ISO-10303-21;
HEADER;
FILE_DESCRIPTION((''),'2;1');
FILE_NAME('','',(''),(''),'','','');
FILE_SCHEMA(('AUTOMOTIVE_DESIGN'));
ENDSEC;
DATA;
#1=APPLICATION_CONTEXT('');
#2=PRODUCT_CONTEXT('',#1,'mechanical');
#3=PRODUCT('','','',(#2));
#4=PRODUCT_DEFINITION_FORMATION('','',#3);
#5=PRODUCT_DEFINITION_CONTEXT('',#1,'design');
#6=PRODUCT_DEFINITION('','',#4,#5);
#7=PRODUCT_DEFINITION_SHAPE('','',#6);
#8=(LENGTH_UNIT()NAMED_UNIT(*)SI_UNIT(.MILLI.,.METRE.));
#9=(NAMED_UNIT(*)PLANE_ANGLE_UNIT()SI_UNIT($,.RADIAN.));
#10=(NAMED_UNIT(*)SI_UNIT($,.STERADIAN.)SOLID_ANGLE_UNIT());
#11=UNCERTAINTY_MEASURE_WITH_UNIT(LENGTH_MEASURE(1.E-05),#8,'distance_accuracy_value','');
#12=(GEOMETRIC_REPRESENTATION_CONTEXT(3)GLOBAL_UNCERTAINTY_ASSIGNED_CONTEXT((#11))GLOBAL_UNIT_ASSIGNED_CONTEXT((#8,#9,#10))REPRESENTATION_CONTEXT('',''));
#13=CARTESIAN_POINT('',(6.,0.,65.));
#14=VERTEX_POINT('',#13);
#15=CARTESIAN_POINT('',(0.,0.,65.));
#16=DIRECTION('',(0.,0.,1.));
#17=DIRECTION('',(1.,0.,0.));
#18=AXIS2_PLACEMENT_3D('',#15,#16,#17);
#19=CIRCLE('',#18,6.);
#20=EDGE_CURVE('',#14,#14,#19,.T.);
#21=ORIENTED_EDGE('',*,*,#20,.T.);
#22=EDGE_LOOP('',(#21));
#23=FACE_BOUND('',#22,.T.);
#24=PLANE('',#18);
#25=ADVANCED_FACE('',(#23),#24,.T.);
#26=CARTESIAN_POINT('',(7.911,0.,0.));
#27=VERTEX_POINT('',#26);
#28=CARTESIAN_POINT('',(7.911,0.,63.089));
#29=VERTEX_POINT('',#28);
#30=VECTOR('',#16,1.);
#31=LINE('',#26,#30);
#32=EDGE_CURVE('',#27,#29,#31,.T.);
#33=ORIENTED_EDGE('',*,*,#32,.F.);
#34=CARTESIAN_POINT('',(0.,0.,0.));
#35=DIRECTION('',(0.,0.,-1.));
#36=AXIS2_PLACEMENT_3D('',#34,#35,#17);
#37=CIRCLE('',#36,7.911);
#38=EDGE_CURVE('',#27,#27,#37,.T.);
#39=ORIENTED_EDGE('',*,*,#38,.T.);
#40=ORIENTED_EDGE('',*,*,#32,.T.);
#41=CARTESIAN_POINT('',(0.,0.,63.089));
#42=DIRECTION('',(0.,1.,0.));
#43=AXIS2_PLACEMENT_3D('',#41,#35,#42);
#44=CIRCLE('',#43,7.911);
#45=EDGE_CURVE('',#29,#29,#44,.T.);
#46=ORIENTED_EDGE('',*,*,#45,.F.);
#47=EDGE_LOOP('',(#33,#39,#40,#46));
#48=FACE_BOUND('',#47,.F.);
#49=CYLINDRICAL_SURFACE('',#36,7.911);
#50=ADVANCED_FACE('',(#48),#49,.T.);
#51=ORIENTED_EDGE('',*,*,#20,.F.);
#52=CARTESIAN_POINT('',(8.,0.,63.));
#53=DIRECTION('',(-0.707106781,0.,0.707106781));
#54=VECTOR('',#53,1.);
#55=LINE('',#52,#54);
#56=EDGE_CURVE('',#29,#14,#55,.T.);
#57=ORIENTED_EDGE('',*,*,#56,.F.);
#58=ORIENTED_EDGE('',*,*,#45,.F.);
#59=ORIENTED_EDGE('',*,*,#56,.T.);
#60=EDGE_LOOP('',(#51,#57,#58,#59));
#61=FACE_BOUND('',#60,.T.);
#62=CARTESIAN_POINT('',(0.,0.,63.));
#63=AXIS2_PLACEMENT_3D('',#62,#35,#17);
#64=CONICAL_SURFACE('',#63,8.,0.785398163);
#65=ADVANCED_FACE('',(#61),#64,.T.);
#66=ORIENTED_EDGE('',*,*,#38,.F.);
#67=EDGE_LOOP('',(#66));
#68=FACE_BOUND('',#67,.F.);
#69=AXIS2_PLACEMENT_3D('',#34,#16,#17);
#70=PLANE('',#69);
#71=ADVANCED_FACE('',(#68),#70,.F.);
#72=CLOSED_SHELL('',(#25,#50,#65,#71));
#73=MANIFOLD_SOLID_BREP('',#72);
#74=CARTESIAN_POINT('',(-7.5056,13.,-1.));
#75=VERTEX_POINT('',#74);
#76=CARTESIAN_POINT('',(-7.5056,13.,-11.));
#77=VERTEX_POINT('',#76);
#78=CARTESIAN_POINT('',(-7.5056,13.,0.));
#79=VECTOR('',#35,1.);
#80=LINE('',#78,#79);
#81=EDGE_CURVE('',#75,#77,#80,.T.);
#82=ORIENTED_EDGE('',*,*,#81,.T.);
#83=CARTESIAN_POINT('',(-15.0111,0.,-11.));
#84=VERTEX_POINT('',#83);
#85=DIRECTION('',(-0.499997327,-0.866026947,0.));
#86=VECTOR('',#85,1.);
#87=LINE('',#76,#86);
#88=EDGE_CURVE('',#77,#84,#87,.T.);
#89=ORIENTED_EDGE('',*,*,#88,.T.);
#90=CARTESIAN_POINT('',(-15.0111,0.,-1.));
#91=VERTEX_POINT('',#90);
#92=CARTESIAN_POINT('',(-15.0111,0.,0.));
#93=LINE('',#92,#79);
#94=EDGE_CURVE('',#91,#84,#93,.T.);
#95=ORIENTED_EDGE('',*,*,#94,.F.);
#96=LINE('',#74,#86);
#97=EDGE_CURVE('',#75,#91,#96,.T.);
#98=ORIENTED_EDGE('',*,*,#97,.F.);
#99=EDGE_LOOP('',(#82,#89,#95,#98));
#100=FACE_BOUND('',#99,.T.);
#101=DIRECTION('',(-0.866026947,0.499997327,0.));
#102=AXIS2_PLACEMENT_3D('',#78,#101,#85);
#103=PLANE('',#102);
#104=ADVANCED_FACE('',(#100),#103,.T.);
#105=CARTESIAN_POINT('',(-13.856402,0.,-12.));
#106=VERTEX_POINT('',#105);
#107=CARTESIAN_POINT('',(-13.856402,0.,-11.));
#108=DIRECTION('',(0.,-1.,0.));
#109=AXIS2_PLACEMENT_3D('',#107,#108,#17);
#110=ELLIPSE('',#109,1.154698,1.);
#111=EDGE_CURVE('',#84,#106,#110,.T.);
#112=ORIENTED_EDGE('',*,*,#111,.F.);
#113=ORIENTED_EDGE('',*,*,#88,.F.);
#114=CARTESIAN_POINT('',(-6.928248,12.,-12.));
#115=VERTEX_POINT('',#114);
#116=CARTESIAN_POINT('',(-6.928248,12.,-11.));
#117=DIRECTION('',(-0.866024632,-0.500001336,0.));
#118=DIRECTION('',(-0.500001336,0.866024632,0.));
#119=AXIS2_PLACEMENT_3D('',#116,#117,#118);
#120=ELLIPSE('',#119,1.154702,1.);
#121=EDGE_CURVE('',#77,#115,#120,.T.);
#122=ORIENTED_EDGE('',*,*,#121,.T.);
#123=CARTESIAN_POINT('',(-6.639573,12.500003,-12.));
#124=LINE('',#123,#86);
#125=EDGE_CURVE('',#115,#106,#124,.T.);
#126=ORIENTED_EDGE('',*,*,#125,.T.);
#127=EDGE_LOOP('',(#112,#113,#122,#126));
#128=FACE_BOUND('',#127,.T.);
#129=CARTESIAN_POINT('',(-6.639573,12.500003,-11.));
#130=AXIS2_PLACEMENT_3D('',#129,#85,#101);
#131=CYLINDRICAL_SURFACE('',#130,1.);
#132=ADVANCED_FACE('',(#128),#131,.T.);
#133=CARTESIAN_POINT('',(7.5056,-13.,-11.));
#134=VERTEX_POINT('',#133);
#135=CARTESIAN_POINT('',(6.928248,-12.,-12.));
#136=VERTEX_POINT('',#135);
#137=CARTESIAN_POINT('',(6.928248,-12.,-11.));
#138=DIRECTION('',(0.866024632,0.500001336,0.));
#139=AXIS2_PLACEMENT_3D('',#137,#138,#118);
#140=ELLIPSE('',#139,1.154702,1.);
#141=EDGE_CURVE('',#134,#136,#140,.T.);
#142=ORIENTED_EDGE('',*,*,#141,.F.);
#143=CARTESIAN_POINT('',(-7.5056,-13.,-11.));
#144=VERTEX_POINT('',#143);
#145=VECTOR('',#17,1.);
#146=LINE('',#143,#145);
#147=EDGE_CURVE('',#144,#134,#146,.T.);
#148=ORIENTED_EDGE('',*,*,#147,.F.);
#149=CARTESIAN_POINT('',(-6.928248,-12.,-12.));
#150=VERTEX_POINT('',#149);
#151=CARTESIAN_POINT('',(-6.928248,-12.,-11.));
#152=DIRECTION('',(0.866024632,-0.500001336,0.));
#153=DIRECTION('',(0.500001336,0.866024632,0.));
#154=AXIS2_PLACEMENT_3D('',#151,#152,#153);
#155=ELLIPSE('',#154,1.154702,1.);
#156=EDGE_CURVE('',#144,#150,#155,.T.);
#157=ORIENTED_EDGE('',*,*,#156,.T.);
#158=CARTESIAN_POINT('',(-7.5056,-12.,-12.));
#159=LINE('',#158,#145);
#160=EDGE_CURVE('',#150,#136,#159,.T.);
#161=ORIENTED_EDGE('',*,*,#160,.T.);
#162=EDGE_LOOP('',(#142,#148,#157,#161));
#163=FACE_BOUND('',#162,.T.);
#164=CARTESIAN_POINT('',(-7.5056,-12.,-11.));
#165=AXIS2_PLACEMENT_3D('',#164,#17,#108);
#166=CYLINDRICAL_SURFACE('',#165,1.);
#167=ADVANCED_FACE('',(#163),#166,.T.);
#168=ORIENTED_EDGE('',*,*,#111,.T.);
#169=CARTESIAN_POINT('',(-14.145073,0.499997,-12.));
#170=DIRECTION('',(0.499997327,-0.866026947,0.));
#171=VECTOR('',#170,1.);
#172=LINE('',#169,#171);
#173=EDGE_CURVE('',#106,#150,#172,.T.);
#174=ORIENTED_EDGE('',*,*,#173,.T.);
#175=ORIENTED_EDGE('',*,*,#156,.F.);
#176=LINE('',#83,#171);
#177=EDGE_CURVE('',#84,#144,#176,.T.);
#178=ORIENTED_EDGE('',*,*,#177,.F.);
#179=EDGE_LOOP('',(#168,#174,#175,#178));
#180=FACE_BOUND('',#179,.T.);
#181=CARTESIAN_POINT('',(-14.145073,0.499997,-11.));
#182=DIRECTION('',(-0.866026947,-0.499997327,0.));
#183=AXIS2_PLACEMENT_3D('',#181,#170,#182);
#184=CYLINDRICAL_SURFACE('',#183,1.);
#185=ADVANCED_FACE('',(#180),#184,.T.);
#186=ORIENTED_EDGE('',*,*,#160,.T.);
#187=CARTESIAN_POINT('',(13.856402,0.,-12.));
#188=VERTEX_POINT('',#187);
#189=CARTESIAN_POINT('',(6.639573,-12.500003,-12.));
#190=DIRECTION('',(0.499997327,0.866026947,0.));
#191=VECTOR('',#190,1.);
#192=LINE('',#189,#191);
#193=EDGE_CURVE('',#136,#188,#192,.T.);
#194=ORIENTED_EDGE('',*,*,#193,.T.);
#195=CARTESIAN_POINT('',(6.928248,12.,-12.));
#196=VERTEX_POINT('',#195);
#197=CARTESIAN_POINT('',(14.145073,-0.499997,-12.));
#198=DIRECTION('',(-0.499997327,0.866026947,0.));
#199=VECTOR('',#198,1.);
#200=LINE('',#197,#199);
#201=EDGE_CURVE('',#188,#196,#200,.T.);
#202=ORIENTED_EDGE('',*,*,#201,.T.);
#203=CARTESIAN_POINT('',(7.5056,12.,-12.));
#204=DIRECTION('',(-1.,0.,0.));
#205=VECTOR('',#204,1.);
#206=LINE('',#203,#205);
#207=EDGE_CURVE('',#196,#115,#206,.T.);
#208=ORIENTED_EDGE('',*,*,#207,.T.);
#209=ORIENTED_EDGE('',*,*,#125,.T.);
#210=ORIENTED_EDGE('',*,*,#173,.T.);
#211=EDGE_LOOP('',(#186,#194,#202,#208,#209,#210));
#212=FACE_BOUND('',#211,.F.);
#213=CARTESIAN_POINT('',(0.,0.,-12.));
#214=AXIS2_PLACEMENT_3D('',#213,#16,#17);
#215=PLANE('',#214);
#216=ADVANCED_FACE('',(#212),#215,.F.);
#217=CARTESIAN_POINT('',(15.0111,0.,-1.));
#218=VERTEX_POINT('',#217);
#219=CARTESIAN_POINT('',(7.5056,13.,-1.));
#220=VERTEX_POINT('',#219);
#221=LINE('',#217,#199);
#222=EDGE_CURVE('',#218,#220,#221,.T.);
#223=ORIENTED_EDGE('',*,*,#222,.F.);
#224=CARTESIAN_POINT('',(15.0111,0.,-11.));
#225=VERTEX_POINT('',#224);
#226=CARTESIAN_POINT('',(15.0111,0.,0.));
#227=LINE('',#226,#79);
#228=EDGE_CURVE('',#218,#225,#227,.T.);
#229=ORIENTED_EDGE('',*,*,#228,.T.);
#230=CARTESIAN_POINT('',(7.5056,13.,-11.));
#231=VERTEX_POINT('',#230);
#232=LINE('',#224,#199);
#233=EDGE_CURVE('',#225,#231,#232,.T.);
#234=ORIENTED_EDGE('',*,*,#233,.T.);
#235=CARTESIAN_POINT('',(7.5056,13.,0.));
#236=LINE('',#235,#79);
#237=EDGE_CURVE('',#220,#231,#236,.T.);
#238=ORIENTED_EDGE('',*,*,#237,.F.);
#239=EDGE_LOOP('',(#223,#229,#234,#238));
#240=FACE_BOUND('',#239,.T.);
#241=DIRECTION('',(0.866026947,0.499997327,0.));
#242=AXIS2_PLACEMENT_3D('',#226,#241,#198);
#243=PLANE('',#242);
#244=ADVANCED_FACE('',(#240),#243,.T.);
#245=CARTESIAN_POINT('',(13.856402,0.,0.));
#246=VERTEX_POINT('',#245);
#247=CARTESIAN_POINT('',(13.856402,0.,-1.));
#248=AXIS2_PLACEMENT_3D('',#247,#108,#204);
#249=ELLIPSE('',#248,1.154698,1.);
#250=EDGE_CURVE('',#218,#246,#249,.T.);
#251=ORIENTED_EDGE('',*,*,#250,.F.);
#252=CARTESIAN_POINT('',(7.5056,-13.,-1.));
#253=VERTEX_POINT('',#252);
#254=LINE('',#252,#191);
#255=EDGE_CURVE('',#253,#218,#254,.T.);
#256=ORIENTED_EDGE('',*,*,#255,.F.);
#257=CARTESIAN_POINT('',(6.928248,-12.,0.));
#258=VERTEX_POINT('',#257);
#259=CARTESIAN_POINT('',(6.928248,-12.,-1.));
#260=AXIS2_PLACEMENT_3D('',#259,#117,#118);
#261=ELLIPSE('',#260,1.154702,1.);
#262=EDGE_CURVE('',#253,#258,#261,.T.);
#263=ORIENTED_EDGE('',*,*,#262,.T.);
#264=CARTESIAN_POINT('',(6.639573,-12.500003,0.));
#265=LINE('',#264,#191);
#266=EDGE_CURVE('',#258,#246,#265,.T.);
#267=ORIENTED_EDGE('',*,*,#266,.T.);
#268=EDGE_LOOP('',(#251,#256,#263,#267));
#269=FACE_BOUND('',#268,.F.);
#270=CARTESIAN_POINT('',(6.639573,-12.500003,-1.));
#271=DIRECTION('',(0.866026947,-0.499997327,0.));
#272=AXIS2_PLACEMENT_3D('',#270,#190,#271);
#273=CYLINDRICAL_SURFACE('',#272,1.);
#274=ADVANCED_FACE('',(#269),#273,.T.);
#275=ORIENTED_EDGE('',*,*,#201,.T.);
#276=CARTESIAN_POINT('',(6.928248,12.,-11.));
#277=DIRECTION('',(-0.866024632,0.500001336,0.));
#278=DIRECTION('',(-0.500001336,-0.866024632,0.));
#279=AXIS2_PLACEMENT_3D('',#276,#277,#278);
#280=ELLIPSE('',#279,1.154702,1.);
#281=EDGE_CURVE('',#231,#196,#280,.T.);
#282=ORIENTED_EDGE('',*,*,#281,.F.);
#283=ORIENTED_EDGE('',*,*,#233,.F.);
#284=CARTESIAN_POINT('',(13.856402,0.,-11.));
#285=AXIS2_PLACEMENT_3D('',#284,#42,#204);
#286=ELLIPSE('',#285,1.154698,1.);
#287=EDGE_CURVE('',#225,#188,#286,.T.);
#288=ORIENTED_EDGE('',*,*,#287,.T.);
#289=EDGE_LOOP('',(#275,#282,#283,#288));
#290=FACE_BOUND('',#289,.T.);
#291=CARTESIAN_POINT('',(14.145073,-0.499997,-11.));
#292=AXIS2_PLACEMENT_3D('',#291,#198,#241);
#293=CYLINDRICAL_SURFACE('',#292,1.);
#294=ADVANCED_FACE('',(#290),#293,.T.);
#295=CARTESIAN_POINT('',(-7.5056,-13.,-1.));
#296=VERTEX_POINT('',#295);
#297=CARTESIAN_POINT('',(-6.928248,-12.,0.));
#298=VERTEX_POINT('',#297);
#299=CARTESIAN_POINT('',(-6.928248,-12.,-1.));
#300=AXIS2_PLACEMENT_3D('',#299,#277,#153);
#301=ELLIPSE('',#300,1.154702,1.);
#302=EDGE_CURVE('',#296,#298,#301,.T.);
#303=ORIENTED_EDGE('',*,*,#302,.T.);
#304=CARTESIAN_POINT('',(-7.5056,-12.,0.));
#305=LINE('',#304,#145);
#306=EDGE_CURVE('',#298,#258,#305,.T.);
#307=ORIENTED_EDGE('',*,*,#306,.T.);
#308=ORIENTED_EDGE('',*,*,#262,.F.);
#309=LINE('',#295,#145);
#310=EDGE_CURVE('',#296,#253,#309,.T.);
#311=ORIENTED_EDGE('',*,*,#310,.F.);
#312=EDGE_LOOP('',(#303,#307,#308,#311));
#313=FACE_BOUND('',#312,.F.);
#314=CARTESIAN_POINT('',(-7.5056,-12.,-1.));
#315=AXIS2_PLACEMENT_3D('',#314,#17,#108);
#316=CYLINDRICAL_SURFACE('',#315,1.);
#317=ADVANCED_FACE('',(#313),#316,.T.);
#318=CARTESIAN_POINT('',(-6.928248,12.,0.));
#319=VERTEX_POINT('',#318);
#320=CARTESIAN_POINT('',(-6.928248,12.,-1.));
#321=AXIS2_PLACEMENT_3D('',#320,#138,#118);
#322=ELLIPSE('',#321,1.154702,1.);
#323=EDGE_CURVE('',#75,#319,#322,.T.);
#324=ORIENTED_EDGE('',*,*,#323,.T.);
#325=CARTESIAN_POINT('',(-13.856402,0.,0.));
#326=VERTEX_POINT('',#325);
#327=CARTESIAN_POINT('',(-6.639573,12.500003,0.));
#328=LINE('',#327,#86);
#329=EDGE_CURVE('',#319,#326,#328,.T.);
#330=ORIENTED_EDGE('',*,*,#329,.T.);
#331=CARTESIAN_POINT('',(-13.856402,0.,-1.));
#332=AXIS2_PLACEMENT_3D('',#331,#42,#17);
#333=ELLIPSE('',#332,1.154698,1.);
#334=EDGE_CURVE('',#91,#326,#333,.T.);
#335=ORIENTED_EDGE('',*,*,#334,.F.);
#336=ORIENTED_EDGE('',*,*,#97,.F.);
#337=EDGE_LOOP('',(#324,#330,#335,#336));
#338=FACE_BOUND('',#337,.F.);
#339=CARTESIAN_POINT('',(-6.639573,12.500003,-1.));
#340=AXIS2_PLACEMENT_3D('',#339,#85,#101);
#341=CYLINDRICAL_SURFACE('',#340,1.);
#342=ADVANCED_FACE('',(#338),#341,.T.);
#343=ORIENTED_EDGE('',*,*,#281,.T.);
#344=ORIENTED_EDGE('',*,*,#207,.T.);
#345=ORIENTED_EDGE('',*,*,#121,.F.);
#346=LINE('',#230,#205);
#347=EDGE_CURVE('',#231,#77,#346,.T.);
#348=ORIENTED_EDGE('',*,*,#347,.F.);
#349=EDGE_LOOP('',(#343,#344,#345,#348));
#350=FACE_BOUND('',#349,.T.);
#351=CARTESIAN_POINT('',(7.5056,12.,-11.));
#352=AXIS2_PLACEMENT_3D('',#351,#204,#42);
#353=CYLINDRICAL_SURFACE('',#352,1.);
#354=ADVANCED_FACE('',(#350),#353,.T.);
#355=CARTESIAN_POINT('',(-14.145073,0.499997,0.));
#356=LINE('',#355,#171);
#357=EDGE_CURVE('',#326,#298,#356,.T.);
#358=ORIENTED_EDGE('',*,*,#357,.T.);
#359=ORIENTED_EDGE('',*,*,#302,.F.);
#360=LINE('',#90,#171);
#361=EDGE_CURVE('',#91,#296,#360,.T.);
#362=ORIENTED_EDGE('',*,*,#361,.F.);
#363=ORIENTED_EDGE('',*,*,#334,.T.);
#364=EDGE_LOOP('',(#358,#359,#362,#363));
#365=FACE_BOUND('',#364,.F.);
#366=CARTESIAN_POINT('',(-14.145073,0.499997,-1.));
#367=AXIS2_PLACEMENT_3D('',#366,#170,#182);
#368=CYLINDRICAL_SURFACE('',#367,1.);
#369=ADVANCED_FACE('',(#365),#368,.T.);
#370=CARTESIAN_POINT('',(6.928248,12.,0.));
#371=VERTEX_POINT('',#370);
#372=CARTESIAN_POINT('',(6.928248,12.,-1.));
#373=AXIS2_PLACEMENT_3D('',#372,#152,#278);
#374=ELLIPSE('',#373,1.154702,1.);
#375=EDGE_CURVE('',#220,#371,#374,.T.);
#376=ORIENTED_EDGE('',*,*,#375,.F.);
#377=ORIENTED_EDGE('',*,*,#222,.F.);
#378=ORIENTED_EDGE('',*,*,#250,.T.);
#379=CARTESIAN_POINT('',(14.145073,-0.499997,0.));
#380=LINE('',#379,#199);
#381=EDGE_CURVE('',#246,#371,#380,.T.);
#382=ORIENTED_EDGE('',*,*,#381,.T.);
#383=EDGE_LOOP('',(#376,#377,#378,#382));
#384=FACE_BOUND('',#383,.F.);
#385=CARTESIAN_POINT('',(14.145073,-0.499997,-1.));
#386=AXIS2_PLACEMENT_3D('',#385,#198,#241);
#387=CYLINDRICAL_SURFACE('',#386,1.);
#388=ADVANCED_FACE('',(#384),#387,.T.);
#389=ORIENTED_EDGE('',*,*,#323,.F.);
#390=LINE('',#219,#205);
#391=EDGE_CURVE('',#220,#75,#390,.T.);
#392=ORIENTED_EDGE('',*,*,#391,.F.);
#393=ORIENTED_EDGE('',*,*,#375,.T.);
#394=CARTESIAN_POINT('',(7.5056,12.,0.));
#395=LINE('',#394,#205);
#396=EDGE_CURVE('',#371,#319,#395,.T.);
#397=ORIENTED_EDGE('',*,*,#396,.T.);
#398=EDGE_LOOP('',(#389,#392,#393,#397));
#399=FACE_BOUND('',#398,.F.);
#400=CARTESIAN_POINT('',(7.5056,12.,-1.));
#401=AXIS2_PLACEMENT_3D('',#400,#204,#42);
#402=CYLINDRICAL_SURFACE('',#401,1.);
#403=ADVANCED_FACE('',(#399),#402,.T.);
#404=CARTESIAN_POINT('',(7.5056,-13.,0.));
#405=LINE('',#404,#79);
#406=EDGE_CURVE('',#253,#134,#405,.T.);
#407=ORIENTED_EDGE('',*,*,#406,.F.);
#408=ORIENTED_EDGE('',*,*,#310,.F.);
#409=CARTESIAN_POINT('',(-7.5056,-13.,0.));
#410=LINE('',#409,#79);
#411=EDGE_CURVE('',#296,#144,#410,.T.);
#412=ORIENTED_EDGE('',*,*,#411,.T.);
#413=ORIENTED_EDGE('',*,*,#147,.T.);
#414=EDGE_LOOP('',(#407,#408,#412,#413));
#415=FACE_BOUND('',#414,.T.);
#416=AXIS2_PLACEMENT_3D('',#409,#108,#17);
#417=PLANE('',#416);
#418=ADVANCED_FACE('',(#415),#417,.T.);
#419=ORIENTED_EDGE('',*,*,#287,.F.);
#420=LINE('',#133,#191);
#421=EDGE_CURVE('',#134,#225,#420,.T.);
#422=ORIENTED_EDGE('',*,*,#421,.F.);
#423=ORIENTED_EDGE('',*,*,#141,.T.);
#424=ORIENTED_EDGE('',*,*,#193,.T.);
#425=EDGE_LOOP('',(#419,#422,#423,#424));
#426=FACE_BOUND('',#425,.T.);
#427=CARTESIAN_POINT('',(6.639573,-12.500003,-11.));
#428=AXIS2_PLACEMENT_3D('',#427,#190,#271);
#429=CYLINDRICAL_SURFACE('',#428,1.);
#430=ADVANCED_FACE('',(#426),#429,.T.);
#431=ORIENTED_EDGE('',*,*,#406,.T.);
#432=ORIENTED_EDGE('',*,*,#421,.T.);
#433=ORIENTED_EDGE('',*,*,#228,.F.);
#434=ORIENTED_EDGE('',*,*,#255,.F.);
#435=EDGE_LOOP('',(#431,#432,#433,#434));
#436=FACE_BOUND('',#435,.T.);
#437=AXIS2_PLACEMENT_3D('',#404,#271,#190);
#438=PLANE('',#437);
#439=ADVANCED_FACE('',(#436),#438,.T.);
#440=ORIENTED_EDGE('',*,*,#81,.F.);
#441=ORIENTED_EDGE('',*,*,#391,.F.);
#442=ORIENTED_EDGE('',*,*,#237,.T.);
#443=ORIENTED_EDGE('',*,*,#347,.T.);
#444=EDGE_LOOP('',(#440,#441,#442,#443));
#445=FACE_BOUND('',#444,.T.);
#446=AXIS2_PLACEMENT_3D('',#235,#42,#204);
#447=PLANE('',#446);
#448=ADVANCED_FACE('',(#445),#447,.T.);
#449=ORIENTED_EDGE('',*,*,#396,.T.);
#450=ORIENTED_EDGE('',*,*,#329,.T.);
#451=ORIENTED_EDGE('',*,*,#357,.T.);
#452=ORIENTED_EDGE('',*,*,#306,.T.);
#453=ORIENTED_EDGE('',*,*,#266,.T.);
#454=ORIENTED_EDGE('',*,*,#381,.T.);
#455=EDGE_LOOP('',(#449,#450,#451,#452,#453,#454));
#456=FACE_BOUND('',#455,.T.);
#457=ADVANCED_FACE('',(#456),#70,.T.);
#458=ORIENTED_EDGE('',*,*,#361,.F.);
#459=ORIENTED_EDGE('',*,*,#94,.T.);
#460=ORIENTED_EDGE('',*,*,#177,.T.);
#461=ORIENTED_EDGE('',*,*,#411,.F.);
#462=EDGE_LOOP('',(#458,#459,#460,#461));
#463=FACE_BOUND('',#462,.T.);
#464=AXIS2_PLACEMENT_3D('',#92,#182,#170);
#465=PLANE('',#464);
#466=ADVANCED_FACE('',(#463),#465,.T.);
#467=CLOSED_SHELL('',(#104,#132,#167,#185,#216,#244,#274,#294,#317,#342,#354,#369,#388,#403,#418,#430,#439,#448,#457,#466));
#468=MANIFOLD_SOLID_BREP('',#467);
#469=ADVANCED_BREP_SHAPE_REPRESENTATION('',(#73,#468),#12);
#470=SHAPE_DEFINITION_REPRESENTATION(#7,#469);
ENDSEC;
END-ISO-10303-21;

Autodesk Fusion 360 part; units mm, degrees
sketch "Sketch1" plane through (0, 0, 0) normal (0, 0, 1) x (1, 0, 0)
  circle A0 centre (0, 0) radius 8
  line L0 (0, 0) -> (0, 8) construction
  line L1 (0, 0) -> (-8, 0) construction
  line L2 (0, 0) -> (8, 0) construction
  line L3 (0, 0) -> (0, -8) construction
  line L4 (-4.6188, 8) -> (-9.2376, 0) construction
  line L5 (-9.2376, 0) -> (-4.6188, -8) construction
  line L6 (-4.6188, -8) -> (4.6188, -8) construction
  line L7 (4.6188, -8) -> (9.2376, 0) construction
  line L8 (9.2376, 0) -> (4.6188, 8) construction
  line L9 (4.6188, 8) -> (-4.6188, 8) construction
  line L10 (-7.5056, -13) -> (7.5056, -13)
  line L11 (7.5056, -13) -> (15.0111, 0)
  line L12 (15.0111, 0) -> (7.5056, 13)
  line L13 (7.5056, 13) -> (-7.5056, 13)
  line L14 (-7.5056, 13) -> (-15.0111, 0)
  line L15 (-15.0111, 0) -> (-7.5056, -13)
  dimension "d1" = 16
  dimension "d4" = 5
extrude "Extrude1" add sketch "Sketch1" along normal blind 65 contours A0 makes body 1
extrude "Extrude2" add sketch "Sketch1" against normal blind 12 separate body contours A0 | L10 L11 L12 L13 L14 L15 makes body 2
chamfer "Chamfer1" distance 2 angle 45 1 edges at (-7.4586, -2.8929, 65) on bodies 1
fillet "Fillet1" radius 1 12 edges at (0, 13, 0) (11.2583, 6.5, 0) (0, 13, -12) (11.2583, 6.5, -12) (11.2583, -6.5, 0) (11.2583, -6.5, -12) (0, -13, 0) (0, -13, -12) (-11.2583, -6.5, 0) (-11.2583, -6.5, -12) (-11.2583, 6.5, 0) (-11.2583, 6.5, -12) on bodies 2
thread "Thread1" "ISO Metric profile 16.0 M16x2 6g" major diameter 15.822 minor diameter 13.534 pitch 2 angle 60 resizes the face on face at (7.9901, -0.3988, 42) on bodies 1
